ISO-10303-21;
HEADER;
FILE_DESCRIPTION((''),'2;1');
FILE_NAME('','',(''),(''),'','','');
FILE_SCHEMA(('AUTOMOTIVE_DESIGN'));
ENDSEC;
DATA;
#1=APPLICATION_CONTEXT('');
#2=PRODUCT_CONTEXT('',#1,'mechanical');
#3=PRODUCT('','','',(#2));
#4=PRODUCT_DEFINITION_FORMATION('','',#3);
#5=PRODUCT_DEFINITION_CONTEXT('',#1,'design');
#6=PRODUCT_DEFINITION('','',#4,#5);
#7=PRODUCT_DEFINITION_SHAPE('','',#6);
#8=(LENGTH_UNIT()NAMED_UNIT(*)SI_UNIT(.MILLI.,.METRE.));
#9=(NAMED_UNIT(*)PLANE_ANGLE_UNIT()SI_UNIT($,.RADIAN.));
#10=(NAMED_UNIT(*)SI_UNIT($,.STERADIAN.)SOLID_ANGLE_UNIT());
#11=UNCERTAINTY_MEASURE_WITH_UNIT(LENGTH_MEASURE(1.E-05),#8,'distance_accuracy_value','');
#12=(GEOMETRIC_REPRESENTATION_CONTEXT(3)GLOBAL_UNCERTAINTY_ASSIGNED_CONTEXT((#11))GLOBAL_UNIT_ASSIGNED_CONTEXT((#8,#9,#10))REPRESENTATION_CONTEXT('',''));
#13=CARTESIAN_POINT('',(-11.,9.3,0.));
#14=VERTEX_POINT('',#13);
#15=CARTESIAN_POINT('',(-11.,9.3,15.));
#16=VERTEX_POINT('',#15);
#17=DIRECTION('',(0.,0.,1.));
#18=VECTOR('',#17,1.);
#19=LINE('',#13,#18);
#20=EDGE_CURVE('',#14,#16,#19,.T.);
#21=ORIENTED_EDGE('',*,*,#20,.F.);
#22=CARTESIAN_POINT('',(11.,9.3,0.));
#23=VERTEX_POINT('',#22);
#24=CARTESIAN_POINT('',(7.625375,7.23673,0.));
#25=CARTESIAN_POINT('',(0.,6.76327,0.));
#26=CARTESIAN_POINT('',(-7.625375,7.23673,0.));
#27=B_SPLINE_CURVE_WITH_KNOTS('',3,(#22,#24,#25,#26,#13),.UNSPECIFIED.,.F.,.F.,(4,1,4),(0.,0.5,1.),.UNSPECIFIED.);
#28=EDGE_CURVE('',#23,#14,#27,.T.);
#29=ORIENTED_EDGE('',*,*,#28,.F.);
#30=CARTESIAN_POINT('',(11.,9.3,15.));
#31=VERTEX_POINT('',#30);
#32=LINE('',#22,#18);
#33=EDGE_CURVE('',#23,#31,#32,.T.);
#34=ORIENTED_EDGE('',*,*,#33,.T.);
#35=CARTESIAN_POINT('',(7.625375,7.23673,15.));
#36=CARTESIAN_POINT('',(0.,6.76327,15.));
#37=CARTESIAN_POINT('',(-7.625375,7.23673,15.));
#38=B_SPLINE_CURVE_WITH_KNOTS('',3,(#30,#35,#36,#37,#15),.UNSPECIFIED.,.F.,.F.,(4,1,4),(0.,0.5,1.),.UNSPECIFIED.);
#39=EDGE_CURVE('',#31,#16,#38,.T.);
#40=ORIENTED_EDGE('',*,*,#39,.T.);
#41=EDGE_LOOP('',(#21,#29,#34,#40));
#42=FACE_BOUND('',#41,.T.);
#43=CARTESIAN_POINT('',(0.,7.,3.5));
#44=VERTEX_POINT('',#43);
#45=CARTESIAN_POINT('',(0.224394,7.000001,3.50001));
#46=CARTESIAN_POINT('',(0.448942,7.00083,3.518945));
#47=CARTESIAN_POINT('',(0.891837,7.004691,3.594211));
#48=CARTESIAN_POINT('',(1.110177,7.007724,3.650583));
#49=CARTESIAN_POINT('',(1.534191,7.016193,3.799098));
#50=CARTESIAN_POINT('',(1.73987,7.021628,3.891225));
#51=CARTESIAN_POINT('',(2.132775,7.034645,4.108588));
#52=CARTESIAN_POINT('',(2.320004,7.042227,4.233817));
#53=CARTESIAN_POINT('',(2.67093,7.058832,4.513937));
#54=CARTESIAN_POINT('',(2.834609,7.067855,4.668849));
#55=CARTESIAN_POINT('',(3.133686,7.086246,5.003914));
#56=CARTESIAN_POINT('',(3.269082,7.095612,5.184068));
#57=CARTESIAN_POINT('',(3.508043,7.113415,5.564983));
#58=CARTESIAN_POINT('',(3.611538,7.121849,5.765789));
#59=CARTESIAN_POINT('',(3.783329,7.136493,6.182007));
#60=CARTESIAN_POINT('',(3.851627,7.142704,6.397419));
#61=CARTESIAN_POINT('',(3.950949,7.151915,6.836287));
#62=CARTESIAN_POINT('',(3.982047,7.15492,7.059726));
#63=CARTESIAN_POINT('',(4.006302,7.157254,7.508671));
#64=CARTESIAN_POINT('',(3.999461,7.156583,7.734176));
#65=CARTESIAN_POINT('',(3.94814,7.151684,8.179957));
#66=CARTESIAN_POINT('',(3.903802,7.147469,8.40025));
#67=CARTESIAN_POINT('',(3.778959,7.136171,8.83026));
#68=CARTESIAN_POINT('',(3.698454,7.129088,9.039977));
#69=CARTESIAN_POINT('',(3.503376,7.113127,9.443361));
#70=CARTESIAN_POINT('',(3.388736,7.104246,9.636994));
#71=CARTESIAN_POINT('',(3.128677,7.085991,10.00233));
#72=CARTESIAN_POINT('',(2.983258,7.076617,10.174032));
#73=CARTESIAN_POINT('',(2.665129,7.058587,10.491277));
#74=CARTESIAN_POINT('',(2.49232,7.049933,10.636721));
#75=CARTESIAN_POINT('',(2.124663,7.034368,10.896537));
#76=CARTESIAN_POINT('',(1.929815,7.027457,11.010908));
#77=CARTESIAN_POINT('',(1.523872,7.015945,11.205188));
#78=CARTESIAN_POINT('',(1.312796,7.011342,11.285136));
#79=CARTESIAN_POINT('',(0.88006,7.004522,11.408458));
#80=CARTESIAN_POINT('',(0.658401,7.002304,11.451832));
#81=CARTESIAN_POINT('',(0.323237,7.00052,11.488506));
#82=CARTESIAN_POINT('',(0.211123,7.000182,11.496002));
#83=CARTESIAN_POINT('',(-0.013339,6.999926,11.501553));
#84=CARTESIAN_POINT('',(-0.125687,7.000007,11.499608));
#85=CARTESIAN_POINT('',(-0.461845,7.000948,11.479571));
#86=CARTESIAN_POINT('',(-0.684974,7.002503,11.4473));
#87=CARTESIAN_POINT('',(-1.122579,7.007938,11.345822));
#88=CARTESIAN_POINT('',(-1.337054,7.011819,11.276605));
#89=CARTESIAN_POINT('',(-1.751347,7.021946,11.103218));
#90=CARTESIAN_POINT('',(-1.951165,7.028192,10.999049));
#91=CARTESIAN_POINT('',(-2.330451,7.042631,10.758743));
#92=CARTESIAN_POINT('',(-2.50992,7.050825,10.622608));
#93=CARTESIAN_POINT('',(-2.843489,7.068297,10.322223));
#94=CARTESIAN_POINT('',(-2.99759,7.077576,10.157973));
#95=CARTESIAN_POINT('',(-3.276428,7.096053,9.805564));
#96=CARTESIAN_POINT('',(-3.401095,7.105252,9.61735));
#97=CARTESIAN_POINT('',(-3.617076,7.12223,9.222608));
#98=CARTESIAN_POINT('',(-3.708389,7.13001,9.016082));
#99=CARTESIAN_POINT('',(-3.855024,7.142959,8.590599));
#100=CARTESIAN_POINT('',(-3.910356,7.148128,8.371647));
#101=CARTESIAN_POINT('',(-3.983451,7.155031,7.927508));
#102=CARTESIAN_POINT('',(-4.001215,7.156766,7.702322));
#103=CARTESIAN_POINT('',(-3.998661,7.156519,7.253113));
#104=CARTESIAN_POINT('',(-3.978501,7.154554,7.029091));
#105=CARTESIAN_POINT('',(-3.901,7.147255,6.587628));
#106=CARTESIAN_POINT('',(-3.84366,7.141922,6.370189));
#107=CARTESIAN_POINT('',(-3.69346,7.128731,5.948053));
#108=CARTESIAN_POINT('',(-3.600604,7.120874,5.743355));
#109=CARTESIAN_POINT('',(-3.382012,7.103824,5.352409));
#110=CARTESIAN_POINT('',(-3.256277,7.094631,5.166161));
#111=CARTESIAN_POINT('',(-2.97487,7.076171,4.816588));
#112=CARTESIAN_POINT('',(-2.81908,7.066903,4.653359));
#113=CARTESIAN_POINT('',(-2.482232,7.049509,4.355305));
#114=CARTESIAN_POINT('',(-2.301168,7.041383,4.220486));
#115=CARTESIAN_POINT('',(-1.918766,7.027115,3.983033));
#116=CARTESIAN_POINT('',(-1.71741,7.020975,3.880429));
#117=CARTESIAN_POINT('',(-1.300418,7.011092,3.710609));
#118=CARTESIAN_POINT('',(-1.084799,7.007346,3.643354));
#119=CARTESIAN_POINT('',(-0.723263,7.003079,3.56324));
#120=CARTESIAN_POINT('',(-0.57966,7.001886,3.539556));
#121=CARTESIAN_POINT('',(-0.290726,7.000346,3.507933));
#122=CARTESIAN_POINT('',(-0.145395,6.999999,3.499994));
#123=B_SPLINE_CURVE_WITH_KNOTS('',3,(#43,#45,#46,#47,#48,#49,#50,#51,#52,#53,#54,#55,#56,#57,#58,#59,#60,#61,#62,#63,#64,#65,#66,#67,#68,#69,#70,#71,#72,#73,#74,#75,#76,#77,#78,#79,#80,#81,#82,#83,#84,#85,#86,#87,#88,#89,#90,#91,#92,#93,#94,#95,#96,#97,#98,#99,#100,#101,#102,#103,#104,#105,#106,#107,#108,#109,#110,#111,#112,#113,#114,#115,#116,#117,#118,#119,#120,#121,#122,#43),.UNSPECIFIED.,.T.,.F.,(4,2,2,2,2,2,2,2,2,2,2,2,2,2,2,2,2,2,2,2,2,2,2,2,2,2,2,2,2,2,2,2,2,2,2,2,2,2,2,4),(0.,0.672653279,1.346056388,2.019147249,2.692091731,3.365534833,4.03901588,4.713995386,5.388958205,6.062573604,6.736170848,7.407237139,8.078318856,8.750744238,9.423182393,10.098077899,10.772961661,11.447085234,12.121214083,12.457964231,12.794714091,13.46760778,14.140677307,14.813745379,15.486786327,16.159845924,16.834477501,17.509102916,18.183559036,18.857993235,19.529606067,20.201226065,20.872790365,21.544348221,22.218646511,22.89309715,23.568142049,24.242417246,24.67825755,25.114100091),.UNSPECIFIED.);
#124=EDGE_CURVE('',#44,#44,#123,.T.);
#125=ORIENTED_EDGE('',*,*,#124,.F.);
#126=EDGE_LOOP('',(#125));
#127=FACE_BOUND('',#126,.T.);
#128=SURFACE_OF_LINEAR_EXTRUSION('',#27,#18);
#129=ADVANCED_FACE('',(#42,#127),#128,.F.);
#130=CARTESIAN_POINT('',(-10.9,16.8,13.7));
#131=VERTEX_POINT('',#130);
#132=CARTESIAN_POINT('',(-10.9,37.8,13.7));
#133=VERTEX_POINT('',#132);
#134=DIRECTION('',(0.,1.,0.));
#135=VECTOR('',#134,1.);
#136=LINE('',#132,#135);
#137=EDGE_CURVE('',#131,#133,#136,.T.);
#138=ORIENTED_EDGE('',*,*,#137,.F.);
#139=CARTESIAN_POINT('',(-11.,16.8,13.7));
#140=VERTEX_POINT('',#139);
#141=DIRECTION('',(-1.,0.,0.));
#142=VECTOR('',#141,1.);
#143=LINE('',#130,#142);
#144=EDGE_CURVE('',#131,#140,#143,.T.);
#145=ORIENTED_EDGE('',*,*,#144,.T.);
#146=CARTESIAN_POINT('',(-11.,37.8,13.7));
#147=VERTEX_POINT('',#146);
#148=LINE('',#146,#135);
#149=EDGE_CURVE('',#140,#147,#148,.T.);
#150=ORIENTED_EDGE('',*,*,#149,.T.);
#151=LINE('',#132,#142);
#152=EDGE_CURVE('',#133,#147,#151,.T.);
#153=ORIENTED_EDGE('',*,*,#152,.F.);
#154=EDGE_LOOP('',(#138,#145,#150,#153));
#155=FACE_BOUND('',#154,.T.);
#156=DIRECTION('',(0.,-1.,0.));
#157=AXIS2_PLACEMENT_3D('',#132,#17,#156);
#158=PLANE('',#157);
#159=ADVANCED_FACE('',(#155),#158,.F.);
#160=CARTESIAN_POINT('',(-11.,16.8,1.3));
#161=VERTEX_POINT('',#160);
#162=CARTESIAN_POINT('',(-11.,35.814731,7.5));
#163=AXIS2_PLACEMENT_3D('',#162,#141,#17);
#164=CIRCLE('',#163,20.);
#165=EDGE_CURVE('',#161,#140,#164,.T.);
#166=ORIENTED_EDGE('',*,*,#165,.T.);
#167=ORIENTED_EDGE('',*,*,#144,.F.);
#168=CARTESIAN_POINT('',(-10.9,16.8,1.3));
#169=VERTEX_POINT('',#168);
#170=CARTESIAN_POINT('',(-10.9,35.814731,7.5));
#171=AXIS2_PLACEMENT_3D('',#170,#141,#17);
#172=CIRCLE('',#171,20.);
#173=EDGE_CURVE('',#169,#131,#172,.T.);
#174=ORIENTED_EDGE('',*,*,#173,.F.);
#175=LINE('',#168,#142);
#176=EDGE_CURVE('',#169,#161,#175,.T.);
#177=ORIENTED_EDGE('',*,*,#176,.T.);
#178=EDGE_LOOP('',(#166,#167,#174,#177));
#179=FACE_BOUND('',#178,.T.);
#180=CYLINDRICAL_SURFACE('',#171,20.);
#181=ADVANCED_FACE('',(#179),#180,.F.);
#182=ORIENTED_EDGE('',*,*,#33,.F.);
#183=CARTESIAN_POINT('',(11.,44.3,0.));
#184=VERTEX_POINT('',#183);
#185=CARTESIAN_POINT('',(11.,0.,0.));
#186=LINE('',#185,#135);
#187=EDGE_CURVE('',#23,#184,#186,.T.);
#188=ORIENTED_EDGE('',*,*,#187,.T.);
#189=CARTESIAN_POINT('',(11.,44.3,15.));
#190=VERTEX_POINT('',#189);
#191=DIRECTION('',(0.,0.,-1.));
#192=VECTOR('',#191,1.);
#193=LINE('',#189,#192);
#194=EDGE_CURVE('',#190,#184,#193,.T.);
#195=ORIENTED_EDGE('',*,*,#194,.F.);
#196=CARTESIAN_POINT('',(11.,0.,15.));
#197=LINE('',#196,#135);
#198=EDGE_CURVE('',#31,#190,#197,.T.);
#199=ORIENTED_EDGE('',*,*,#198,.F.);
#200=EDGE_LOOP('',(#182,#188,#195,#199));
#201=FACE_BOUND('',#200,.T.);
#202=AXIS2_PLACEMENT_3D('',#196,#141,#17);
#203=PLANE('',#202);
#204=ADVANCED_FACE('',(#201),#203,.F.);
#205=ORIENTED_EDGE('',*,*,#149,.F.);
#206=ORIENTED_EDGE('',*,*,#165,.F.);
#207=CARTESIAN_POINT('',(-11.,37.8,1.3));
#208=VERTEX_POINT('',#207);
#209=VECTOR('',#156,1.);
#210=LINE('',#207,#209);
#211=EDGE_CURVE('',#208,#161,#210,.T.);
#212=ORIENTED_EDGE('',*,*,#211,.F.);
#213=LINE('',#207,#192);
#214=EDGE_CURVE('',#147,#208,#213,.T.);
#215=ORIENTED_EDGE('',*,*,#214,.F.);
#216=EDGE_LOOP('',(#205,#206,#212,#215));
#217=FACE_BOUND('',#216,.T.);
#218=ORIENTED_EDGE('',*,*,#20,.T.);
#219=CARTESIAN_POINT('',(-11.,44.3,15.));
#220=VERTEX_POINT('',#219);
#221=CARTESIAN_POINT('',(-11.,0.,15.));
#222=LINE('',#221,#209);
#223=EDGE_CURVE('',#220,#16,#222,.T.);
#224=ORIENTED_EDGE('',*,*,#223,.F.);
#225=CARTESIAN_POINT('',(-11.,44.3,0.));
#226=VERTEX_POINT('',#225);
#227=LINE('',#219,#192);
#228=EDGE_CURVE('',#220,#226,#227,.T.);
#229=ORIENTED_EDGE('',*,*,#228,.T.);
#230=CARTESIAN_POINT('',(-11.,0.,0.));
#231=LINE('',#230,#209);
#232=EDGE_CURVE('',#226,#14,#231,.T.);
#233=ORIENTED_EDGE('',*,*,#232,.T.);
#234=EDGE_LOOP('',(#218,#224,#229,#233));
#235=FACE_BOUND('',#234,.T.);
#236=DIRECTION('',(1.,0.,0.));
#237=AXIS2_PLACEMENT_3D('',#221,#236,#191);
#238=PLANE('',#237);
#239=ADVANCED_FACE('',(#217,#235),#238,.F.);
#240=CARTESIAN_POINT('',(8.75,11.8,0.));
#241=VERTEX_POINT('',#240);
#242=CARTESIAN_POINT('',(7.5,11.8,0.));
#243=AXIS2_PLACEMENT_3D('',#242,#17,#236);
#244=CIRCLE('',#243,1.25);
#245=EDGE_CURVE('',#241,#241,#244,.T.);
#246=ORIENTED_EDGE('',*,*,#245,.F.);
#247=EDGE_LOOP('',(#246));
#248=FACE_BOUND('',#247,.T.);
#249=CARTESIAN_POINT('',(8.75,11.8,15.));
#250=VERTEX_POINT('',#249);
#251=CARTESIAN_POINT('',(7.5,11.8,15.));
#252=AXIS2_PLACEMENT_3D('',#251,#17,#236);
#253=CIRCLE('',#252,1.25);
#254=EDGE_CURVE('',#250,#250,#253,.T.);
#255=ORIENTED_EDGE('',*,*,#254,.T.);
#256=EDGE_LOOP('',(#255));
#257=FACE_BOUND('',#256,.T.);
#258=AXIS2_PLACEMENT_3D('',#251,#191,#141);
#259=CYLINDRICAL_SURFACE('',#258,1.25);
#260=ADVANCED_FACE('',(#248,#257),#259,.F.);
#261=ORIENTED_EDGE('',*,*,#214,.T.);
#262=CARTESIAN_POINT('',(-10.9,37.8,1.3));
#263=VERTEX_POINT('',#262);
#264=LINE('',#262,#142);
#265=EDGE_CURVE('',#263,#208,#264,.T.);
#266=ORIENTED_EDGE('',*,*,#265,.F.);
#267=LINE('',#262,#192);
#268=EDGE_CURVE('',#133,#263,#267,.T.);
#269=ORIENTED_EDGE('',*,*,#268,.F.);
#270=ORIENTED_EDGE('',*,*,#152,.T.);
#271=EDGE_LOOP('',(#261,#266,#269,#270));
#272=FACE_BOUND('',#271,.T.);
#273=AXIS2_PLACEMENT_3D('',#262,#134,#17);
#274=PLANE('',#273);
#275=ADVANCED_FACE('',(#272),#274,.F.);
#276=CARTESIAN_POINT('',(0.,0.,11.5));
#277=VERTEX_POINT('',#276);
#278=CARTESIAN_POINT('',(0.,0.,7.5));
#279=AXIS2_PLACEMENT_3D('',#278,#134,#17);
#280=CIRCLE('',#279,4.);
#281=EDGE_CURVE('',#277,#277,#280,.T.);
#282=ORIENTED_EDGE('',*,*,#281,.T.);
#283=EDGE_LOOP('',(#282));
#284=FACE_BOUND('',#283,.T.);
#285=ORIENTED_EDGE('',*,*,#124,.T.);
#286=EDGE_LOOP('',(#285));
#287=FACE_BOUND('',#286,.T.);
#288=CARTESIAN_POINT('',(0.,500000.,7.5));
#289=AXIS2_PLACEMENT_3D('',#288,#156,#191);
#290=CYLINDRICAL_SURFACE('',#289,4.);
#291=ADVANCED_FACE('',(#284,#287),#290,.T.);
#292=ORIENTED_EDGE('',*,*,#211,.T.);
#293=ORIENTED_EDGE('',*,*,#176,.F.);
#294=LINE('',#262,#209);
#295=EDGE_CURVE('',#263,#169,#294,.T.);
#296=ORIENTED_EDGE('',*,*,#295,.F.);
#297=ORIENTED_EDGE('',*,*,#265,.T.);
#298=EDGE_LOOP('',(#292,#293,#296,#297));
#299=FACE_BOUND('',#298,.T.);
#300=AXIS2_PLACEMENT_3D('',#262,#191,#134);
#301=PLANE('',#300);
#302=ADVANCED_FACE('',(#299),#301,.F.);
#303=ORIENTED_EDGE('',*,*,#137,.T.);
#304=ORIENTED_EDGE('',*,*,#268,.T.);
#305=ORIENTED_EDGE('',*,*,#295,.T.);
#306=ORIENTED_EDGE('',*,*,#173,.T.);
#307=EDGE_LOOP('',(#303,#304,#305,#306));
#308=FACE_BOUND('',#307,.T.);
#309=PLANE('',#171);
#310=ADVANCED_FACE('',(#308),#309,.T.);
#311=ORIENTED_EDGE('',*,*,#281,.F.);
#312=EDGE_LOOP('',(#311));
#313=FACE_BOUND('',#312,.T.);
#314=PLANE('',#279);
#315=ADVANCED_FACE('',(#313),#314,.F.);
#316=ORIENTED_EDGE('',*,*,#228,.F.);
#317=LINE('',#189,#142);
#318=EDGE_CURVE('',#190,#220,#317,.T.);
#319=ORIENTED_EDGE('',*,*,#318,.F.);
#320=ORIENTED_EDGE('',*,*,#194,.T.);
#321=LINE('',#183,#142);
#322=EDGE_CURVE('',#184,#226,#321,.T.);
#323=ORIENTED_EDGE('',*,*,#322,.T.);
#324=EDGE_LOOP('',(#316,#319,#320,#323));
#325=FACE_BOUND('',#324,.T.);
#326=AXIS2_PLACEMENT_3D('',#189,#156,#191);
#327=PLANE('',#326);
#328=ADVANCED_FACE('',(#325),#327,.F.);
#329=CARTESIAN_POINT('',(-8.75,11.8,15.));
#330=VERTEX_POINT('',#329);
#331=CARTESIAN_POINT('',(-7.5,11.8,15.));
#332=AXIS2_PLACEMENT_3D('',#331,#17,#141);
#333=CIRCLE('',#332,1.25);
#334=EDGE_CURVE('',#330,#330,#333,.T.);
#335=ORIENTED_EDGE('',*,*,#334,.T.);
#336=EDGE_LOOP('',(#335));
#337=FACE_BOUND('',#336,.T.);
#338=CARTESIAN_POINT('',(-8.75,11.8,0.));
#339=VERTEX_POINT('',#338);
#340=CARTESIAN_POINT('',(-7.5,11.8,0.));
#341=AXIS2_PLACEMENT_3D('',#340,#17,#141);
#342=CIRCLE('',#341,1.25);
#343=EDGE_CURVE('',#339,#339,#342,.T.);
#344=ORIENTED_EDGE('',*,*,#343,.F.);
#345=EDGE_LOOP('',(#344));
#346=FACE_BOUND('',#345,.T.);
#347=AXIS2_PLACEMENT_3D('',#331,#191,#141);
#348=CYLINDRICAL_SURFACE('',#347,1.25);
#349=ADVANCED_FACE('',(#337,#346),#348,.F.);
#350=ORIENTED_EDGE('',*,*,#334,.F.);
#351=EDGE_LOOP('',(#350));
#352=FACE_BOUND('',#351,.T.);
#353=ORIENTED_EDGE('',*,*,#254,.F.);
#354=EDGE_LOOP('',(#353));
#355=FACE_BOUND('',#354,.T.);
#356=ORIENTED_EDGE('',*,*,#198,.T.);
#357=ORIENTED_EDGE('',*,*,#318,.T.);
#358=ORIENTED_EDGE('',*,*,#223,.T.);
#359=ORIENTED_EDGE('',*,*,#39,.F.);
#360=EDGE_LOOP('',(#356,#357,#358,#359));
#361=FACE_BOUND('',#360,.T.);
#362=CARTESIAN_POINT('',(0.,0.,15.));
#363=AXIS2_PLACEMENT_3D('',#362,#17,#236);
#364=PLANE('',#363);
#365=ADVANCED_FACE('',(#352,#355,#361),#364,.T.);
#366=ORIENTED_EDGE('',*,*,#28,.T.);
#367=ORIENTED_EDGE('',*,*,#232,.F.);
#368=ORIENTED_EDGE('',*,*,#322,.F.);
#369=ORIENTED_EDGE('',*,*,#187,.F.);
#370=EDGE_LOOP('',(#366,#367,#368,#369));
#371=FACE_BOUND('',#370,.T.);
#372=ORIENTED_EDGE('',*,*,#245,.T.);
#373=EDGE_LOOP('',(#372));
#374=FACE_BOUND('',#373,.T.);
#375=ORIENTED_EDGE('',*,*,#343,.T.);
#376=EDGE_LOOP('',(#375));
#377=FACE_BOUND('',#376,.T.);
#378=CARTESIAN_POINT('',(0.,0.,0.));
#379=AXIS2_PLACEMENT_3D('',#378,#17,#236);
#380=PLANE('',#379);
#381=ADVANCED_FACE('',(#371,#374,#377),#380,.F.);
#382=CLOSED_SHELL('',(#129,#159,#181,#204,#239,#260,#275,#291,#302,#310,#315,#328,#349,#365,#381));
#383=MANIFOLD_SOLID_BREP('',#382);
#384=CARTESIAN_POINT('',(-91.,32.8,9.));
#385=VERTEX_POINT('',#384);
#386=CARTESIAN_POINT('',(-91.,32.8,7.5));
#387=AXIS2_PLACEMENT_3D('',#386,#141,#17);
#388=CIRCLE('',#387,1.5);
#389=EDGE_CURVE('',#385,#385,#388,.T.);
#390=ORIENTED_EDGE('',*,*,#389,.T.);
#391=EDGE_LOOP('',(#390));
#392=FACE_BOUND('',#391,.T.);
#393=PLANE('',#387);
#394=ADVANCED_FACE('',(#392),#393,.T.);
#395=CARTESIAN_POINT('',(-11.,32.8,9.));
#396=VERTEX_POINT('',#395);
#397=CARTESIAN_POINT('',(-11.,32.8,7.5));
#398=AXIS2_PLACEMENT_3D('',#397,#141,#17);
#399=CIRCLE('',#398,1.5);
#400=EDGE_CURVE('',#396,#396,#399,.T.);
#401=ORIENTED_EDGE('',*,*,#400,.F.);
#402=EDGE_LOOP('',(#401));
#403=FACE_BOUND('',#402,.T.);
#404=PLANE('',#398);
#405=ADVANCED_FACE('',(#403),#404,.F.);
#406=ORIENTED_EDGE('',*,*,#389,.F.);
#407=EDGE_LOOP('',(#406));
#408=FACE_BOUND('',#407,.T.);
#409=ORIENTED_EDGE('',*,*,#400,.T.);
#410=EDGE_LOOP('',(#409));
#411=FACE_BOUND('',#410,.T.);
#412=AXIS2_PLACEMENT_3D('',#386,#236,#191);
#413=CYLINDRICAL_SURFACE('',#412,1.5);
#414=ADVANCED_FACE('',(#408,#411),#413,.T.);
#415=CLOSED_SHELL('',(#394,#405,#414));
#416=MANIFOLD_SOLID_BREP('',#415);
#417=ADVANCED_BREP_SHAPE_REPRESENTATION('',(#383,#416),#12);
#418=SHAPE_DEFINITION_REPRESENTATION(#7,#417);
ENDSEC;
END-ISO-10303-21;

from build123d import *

# Parameters (mm, degrees)
ESQUISSE1_W             = 22
ESQUISSE1_H             = 44.3
ESQUISSE1_R             = 1.25
BOSS_EXTRU_1_DEPTH      = 15
ENL_V_MAT_EXTRU_1_DEPTH = 16
BOSS_EXTRU_2_REACH      = 46.3
ESQUISSE3_R             = 4
ENL_V_MAT_EXTRU_2_DEPTH = 0.1
ESQUISSE5_R             = 1.5
BOSS_EXTRU_3_DEPTH      = 80


with BuildPart() as part:
    # Esquisse1 → Boss.-Extru.1 (new body)
    with BuildSketch(Plane.XY):
        with Locations((0, 22.15)):
            Rectangle(ESQUISSE1_W, ESQUISSE1_H)
        with Locations((7.5, 11.8)):
            Circle(ESQUISSE1_R, mode=Mode.SUBTRACT)
        with Locations((-7.5, 11.8)):
            Circle(ESQUISSE1_R, mode=Mode.SUBTRACT)
    extrude(amount=BOSS_EXTRU_1_DEPTH)

    # Esquisse2 → Enlèv. mat.-Extru.1 (cut, through all)
    with BuildSketch(Plane.XY.offset(15)):
        with BuildLine():
            Line((-11, 9.3), (-11, 0))
            Line((-11, 0), (11, 0))
            Line((11, 0), (11, 9.3))
            add(Edge.make_bspline(
                [(-11, 9.3), (-7.625374572, 7.236730077), (0, 6.763269923), (7.625374572, 7.236730077), (11, 9.3)],
                knots=[0, 0, 0, 0, 0.5, 1, 1, 1, 1], degree=3))
        make_face()
    extrude(amount=-ENL_V_MAT_EXTRU_1_DEPTH, mode=Mode.SUBTRACT)

    # Esquisse3 → Boss.-Extru.2 (add, up to next)
    with BuildSketch(Plane(origin=(0, 0, 0), x_dir=(1, 0, 0), z_dir=(0, 1, 0)), mode=Mode.PRIVATE) as boss_extru_2_sk1:
        with Locations((0, -7.5)):
            Circle(ESQUISSE3_R)
    boss_extru_2_tool1 = extrude(boss_extru_2_sk1.sketch, amount=BOSS_EXTRU_2_REACH, mode=Mode.PRIVATE) - part.part
    add(boss_extru_2_tool1.solids().sort_by_distance((0, 0, 7.5))[0])

    # Esquisse4 → Enlèv. mat.-Extru.2 (cut)
    with BuildSketch(Plane.ZY.offset(11)):
        with BuildLine():
            Line((1.3, 37.8), (13.7, 37.8))
            Line((13.7, 37.8), (13.7, 16.8))
            ThreePointArc((13.7, 16.8), (7.5, 15.814731131), (1.3, 16.8))
            Line((1.3, 16.8), (1.3, 37.8))
        make_face()
    extrude(amount=-ENL_V_MAT_EXTRU_2_DEPTH, mode=Mode.SUBTRACT)


with BuildPart() as body_2:
    # Esquisse5 → Boss.-Extru.3 (new body)
    with BuildSketch(Plane.ZY.offset(11)):
        with Locations((7.5, 32.8)):
            Circle(ESQUISSE5_R)
    extrude(amount=BOSS_EXTRU_3_DEPTH)


solid = Compound([part.part, body_2.part])
